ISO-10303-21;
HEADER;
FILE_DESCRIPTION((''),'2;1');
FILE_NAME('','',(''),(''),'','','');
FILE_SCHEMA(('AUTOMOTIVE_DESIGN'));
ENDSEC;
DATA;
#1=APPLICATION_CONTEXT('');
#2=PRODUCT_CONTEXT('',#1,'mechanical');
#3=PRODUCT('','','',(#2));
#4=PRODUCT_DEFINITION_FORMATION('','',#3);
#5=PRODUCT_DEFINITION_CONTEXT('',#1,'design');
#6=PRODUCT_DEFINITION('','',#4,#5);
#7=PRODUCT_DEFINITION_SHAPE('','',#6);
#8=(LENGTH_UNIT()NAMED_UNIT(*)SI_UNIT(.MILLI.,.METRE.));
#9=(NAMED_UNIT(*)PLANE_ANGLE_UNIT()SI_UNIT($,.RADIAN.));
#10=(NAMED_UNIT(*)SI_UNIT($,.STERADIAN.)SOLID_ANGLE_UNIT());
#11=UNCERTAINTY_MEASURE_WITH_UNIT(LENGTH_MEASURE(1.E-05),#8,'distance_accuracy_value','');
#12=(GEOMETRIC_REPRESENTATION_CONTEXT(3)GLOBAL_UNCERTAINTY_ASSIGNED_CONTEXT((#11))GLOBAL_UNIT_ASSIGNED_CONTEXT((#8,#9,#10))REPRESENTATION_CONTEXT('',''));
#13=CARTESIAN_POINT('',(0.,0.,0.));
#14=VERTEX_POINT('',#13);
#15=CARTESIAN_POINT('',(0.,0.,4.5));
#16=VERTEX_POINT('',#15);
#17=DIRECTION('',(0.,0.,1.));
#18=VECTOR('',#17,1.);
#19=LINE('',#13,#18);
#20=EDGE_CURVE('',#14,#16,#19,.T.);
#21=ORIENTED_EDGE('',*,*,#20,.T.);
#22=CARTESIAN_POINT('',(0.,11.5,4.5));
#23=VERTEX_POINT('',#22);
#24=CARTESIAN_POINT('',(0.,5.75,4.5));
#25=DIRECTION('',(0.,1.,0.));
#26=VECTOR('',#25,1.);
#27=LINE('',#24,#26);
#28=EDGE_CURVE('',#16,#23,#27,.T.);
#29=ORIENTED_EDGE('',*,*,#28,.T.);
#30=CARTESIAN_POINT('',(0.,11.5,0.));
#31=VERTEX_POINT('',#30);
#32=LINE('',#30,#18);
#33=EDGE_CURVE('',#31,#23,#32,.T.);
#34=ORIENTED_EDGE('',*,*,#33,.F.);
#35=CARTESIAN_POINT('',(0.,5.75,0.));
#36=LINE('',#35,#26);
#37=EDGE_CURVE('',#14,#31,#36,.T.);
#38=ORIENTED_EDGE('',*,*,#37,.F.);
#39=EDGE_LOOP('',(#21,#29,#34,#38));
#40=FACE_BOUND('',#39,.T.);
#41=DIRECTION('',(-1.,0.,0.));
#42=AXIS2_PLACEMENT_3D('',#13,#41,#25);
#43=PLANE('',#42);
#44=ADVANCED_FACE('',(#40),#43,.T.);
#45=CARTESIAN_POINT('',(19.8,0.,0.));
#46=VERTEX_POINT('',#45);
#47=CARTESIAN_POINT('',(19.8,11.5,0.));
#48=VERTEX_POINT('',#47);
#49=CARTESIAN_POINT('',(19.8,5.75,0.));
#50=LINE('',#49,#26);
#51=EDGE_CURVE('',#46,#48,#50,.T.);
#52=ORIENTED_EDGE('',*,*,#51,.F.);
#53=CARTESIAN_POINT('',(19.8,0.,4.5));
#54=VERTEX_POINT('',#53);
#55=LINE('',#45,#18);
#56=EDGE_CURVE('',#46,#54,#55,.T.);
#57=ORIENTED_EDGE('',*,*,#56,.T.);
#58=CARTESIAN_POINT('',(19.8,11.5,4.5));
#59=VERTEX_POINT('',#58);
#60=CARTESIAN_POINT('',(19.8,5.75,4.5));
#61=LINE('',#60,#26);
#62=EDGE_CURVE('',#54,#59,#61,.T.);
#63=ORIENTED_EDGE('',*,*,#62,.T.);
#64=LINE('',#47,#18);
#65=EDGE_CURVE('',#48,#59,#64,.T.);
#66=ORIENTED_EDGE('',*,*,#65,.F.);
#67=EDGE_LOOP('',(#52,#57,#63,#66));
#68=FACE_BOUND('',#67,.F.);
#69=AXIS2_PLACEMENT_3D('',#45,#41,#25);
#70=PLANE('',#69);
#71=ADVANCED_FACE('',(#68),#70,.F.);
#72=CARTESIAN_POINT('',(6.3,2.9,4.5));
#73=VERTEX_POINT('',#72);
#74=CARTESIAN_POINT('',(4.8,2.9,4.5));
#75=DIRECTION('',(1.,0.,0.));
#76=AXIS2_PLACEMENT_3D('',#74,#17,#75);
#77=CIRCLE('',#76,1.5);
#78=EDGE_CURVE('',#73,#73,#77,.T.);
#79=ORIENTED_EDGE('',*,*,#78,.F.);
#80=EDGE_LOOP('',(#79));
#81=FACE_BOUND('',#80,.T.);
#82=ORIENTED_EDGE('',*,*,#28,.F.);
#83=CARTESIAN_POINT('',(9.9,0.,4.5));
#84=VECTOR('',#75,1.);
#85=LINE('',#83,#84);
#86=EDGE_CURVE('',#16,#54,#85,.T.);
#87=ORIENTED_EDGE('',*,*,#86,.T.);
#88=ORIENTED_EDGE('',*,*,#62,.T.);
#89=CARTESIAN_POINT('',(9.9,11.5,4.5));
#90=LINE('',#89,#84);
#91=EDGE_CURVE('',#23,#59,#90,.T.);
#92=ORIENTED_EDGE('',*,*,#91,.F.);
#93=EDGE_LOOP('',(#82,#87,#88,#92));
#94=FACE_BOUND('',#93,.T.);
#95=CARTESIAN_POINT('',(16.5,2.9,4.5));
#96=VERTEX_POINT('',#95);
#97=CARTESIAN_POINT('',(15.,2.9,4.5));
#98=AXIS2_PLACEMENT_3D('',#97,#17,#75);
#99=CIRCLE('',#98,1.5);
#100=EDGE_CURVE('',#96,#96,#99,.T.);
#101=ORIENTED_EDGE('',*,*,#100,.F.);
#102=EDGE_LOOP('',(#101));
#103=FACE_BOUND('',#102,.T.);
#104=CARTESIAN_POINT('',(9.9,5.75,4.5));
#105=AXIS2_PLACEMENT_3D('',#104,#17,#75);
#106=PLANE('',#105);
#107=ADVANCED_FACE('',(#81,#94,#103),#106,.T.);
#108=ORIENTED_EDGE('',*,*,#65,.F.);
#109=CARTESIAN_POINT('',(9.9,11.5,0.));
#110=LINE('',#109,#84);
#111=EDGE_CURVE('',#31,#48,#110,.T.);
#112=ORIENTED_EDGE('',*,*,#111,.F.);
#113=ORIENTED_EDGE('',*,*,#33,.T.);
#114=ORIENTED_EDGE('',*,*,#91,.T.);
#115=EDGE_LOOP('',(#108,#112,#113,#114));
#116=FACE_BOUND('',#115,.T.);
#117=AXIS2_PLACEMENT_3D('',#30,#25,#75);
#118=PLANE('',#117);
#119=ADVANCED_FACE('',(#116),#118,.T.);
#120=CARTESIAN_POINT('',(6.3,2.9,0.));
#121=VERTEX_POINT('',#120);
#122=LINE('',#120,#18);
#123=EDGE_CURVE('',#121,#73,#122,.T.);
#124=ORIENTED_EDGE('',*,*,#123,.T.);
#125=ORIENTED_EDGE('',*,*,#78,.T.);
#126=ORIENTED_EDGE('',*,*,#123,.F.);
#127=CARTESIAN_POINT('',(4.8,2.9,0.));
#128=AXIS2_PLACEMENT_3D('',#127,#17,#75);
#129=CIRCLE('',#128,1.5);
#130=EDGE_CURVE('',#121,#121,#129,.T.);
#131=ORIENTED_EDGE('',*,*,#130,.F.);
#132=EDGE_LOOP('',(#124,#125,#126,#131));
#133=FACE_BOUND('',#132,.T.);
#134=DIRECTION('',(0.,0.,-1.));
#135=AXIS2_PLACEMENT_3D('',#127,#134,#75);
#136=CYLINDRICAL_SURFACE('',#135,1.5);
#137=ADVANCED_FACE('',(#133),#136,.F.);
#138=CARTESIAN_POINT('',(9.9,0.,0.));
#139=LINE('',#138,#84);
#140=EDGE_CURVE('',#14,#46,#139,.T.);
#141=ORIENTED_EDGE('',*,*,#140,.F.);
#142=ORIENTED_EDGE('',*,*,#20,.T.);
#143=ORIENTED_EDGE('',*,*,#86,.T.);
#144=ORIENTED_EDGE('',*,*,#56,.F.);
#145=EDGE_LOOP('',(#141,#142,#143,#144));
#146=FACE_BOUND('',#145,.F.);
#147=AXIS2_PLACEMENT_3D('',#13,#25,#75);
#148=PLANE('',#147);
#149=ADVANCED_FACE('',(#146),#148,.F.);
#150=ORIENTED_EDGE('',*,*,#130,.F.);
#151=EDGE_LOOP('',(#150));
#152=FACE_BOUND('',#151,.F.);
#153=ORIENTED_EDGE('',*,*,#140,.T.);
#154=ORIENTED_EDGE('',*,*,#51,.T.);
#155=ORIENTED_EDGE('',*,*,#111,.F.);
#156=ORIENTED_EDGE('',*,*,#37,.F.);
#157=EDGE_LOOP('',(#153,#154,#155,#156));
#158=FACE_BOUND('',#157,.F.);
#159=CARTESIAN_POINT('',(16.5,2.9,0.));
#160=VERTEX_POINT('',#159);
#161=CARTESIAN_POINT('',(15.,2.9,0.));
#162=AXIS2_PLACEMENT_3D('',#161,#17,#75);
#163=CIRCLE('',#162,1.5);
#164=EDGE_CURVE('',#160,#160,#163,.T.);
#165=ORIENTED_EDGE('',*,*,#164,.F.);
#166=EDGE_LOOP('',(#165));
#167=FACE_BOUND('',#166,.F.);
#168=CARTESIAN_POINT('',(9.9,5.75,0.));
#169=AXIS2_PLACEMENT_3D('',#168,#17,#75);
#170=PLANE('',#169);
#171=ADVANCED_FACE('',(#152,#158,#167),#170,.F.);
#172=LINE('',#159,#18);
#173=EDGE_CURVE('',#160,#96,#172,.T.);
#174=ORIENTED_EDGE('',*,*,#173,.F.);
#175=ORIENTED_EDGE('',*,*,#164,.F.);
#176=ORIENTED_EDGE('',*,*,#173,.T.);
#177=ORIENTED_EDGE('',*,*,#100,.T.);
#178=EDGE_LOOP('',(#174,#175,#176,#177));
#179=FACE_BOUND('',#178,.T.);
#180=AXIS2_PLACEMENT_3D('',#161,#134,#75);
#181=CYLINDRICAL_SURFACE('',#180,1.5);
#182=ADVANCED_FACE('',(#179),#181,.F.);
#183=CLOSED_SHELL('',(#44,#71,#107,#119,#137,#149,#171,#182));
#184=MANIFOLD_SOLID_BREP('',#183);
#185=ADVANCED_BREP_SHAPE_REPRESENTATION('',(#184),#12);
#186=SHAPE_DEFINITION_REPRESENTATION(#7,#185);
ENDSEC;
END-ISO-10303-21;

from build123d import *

# Parameters (mm, degrees)
SKETCH_W  = 19.8
SKETCH_H  = 11.5
SKETCH_R  = 1.5
PAD_DEPTH = 4.5


with BuildPart() as part:
    # Sketch → Pad (new body)
    with BuildSketch(Plane.XY):
        with Locations((9.9, 5.75)):
            Rectangle(SKETCH_W, SKETCH_H)
        with Locations((4.8, 2.9)):
            Circle(SKETCH_R, mode=Mode.SUBTRACT)
        with Locations((15, 2.9)):
            Circle(SKETCH_R, mode=Mode.SUBTRACT)
    extrude(amount=PAD_DEPTH)


solid = part.part
